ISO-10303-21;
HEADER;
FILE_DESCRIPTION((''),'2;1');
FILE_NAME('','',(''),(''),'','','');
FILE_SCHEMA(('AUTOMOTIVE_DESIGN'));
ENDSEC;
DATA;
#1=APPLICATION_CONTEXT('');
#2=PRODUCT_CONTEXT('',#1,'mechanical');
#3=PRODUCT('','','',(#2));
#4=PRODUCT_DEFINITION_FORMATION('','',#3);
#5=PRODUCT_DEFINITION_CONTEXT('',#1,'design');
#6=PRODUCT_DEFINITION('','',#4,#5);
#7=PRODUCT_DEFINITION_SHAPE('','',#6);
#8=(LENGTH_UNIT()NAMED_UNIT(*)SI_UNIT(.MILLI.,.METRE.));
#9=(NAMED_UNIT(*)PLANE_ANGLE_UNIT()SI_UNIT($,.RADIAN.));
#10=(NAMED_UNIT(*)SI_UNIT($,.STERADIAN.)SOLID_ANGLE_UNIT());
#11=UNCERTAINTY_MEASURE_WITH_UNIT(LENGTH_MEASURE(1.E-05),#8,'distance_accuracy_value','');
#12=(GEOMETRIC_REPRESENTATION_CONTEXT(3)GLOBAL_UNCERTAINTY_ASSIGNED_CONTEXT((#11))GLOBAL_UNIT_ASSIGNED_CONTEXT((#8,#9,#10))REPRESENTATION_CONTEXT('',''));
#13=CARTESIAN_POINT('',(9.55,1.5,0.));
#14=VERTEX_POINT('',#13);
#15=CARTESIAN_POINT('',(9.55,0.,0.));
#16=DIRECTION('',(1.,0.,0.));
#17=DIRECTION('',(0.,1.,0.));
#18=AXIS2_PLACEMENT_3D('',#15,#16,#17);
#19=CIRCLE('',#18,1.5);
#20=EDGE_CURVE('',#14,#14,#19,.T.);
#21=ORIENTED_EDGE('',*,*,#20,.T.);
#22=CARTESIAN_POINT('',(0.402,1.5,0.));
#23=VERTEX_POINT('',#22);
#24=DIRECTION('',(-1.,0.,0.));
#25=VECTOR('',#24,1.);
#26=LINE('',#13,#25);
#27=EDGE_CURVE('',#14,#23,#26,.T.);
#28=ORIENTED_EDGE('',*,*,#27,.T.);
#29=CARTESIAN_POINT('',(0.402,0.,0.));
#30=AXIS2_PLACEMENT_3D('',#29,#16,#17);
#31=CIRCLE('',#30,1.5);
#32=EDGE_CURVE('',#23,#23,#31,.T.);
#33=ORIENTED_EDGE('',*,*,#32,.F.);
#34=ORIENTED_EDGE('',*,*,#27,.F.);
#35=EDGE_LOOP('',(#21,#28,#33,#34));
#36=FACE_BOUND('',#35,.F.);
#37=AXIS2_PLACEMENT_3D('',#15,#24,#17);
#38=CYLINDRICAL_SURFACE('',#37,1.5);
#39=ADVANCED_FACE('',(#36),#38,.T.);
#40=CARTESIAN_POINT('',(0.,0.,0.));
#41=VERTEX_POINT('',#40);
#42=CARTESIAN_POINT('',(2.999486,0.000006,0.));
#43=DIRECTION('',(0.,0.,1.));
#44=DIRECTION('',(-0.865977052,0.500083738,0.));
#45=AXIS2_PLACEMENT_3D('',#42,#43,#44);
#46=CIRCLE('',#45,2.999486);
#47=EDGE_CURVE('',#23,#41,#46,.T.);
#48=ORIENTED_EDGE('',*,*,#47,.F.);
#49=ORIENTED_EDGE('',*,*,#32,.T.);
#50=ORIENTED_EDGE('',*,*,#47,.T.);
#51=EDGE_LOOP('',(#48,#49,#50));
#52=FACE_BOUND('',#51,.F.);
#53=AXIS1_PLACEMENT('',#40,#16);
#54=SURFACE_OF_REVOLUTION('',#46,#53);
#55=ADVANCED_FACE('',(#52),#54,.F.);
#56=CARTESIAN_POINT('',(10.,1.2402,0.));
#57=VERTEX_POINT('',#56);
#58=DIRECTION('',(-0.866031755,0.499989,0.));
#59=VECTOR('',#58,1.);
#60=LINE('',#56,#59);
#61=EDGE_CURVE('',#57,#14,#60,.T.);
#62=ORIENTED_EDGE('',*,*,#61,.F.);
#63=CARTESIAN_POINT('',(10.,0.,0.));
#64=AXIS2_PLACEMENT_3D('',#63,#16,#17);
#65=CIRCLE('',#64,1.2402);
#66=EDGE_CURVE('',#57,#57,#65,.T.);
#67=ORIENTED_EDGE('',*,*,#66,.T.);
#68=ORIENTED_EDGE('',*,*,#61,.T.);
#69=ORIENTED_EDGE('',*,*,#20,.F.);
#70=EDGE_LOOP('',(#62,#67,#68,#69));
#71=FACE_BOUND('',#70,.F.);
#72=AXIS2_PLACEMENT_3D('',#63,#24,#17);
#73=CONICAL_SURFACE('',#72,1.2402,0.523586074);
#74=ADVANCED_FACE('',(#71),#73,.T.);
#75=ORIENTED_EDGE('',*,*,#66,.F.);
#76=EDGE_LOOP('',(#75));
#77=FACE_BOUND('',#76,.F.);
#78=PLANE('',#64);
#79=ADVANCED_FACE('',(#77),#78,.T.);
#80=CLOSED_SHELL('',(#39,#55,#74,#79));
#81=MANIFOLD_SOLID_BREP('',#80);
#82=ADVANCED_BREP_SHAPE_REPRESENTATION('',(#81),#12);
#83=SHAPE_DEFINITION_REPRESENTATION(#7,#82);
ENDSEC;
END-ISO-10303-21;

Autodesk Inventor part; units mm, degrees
ref_plane "YZ Plane" through (0, 0, 0) normal (1, 0, 0) x (0, 1, 0)
ref_plane "XZ Plane" through (0, 0, 0) normal (0, 1, 0) x (-1, 0, 0)
ref_plane "XY Plane" through (0, 0, 0) normal (0, 0, 1) x (1, 0, 0)
sketch "Sketch1" plane through (0, 0, 0) normal (0, 0, 1) x (1, 0, 0)
  line L0 (0, 0) -> (10, 0)
  line L1 (10, 0) -> (10, 1.2402)
  line L2 (10, 1.2402) -> (9.55, 1.5)
  line L3 (9.55, 1.5) -> (0.402, 1.5)
  arc A0 (0.402, 1.5) -> (0, 0) centre (2.9995, 0) ccw
  dimension "d0" = 10
  dimension "d1" = 3
  dimension "d2" = 30
  dimension "d3" = 0.45
  dimension "d4" = 0.402
revolve "Body" add sketch "Sketch1" angle 360 about axis through (0, 0, 0) along (1, 0, 0)
equation "\"d0\" = NLG"
equation "\"d1\" = NND"
equation "\"d2\" = FAWI"
equation "\"d3\" = PHH"
equation "\"d4\" = KAH"
equation "\"NND\" = 3"
equation "\"PHH\" = 0.45"
equation "\"NLG\" = 10"
equation "\"KAH\" = 0.402"
equation "\"FAWI\" = 30deg"
equation "\"d11\" = -KAH"
properties part number "BS 1804-2 - 3 x 10" material "Steel, Mild"
